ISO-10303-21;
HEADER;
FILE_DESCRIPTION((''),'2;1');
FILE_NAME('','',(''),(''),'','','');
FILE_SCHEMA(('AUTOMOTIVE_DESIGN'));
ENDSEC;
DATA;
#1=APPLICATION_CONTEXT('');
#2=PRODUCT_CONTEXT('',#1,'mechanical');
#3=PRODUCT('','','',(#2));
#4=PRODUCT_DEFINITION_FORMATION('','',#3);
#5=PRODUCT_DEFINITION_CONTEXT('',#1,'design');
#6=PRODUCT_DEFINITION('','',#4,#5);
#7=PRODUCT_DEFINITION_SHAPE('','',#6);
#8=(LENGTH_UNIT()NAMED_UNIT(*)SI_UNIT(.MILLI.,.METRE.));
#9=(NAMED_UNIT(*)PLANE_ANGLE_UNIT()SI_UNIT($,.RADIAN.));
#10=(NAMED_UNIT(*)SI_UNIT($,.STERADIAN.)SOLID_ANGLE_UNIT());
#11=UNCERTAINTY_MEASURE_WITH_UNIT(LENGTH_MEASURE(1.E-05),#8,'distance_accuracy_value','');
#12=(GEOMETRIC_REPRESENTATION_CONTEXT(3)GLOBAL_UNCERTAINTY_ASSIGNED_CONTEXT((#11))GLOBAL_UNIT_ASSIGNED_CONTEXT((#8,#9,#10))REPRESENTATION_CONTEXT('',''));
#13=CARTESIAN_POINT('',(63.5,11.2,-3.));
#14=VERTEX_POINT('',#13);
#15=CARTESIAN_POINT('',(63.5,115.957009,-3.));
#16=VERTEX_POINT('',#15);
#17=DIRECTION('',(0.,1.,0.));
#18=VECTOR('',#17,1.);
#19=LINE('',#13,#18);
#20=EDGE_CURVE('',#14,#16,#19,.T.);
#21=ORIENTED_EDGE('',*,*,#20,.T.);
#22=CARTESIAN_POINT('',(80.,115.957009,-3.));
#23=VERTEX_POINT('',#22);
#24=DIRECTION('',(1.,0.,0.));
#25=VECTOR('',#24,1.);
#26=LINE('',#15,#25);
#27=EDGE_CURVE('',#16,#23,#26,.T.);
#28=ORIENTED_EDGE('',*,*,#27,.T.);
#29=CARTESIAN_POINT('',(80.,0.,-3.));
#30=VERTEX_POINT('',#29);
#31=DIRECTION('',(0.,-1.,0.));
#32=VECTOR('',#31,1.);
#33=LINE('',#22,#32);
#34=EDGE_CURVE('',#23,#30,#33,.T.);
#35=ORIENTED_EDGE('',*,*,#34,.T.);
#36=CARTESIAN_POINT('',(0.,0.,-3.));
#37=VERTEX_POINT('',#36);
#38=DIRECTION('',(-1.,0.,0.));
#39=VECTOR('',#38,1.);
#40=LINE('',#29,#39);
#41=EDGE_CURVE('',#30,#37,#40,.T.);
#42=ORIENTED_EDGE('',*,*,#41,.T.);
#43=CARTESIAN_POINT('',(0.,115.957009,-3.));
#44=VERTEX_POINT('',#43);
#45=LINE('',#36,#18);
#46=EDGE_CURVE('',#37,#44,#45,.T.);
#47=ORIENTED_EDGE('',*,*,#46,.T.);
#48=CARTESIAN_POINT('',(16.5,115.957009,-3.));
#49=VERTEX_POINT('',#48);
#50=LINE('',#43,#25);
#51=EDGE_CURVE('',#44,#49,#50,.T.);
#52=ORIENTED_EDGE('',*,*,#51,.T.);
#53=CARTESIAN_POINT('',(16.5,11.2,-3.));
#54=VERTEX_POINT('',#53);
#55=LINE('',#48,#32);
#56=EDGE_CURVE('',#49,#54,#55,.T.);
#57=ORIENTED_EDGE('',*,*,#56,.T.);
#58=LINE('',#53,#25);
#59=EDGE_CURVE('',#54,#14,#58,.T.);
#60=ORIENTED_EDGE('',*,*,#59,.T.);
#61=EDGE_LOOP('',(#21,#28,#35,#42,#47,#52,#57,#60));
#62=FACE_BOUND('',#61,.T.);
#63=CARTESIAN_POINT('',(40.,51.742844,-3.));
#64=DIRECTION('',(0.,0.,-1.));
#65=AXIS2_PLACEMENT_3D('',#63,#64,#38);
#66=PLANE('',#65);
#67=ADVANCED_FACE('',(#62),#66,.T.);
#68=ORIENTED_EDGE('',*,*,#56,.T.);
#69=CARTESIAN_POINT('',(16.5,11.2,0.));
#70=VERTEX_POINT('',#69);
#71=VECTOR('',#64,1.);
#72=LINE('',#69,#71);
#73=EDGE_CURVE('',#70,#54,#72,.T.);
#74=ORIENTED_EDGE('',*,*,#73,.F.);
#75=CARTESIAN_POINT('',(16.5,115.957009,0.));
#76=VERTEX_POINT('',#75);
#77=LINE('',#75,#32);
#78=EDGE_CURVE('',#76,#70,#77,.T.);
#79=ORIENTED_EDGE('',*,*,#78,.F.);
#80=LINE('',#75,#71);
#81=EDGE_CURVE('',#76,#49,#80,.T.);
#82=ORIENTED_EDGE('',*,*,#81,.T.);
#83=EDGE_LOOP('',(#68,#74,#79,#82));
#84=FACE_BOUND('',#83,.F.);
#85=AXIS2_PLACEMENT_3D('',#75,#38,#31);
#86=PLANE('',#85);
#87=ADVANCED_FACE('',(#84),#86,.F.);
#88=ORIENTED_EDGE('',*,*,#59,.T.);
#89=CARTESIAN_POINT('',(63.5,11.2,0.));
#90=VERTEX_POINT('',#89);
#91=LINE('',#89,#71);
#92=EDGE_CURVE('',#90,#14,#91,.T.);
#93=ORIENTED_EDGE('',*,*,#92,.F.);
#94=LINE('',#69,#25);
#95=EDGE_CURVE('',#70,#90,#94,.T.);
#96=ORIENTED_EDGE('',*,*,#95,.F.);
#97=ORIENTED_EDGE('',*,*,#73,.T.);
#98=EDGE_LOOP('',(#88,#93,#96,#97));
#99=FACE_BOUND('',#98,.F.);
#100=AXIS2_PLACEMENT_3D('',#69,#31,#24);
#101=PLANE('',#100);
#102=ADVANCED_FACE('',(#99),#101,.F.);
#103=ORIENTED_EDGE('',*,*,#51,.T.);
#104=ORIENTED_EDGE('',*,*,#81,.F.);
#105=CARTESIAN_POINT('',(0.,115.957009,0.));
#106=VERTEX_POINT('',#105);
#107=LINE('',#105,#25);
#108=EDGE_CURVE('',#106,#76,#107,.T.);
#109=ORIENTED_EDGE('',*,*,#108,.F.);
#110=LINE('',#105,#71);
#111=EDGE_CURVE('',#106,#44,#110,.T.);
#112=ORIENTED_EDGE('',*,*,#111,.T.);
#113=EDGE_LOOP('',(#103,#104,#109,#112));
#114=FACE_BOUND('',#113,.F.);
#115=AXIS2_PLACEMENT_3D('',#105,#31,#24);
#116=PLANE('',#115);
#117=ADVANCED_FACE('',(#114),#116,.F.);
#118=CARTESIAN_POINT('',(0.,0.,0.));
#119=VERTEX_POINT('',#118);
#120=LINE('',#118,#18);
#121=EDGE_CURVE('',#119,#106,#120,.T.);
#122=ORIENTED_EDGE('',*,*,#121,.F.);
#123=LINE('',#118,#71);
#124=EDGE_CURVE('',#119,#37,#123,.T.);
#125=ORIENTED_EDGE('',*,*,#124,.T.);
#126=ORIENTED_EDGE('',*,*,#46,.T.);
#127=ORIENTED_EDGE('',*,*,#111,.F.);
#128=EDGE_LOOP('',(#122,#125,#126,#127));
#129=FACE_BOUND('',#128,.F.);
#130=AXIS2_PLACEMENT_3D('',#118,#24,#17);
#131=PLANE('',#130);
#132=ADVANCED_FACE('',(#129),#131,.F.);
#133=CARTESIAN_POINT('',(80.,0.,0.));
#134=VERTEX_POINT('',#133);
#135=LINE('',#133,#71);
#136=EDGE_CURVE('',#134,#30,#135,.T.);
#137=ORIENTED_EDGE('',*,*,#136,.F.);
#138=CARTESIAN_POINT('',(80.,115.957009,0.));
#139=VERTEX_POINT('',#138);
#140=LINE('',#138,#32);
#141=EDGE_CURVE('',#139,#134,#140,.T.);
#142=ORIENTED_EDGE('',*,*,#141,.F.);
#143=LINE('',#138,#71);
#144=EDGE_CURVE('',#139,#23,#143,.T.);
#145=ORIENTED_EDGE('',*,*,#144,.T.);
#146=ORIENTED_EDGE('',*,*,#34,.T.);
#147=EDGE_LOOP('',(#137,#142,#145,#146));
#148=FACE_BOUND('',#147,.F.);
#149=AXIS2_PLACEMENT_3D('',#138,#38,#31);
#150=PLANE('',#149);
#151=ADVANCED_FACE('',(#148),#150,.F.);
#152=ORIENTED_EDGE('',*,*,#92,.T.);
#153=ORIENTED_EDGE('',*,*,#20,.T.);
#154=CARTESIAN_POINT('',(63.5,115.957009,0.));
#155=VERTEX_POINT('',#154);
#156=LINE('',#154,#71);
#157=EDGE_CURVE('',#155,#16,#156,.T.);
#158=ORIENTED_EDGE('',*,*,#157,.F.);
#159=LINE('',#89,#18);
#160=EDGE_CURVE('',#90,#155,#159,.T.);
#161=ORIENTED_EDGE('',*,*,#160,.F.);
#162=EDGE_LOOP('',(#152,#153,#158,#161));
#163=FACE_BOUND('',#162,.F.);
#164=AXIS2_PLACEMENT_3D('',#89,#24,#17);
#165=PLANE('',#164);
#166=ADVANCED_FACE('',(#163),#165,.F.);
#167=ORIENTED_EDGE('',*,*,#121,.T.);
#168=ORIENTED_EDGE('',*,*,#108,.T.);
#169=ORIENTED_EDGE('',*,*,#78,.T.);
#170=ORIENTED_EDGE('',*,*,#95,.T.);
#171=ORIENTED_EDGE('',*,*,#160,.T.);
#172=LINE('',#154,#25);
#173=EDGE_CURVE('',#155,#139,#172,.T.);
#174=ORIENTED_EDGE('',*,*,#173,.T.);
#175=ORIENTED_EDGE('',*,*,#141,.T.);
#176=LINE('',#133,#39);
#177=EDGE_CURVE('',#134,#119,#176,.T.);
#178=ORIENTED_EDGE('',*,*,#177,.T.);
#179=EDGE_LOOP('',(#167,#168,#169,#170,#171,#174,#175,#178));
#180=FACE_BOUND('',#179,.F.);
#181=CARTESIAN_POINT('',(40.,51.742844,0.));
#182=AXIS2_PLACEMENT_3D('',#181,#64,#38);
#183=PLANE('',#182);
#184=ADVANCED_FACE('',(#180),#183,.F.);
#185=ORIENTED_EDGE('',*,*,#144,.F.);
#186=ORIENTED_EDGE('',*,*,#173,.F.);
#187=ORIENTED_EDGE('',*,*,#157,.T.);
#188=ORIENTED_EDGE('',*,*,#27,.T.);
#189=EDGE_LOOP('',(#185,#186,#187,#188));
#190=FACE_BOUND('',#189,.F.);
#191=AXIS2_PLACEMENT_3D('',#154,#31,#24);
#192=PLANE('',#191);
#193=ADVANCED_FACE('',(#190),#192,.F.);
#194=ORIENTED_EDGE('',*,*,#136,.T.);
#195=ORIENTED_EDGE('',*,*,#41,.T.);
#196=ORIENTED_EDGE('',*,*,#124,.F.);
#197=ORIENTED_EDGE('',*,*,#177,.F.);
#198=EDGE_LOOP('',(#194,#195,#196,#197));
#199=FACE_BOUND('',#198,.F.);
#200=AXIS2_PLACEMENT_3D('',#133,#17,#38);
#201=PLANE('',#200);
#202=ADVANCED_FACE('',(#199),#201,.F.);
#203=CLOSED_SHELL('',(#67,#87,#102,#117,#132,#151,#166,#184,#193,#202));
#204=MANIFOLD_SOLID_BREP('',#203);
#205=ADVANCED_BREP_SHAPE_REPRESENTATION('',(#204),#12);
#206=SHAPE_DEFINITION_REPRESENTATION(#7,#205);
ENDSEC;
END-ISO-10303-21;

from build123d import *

# Parameters (mm, degrees)
BOSS_EXTRUDE1_DEPTH = 3


with BuildPart() as part:
    # Sketch1 → Boss-Extrude1 (new body)
    with BuildSketch(Plane.XY):
        Polygon((16.5, 115.957009142), (16.5, 11.2), (63.5, 11.2), (63.5, 115.957009142), (80, 115.957009142), (80, 0), (0, 0), (0, 115.957009142), align=None)
    extrude(amount=-BOSS_EXTRUDE1_DEPTH)


solid = part.part
